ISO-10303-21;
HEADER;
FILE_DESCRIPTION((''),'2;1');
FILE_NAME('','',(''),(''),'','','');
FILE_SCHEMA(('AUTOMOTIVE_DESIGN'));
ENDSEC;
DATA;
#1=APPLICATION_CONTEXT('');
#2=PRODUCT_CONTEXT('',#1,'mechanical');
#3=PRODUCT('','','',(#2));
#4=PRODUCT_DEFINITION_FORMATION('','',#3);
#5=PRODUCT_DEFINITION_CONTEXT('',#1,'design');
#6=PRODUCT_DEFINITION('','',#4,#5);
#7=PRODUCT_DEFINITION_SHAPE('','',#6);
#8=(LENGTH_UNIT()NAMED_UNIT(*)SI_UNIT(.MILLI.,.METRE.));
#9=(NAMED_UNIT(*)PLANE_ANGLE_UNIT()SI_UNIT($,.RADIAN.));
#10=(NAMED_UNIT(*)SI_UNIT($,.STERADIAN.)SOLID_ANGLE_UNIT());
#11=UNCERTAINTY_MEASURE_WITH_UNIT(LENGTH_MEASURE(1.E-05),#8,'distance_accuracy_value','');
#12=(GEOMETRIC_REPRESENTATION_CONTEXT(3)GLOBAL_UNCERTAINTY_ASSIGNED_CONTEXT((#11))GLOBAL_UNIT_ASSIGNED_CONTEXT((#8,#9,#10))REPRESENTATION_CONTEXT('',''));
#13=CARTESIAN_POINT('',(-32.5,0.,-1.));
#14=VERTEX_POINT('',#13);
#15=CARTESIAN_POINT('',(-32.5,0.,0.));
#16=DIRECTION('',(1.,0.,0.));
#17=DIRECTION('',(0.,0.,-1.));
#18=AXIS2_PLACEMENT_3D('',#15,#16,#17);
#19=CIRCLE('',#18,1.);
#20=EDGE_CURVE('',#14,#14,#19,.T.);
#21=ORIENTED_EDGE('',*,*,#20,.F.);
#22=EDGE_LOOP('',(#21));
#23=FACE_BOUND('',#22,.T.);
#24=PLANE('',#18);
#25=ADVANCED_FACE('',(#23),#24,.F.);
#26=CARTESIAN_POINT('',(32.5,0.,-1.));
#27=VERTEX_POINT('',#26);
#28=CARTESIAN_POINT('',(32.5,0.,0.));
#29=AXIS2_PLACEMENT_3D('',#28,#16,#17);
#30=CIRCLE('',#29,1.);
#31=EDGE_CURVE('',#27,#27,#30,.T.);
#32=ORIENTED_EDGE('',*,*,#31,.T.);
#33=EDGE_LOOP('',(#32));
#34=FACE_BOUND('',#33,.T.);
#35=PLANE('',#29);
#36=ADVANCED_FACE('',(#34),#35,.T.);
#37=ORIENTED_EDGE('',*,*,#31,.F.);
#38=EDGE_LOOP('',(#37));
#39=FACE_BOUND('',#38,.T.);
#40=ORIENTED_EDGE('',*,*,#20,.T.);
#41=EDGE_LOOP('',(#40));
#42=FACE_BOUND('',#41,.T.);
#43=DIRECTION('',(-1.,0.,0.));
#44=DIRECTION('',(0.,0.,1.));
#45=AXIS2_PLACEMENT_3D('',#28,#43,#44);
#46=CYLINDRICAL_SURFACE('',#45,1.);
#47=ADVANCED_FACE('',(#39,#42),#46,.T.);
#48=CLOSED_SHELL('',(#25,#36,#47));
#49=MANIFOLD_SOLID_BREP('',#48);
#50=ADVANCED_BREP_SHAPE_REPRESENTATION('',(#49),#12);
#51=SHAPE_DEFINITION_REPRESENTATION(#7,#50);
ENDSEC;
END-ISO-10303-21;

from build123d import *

# Parameters (mm, degrees)
SKETCH1_R           = 1
BOSS_EXTRUDE1_DEPTH = 32.5


with BuildPart() as part:
    # Sketch1 → Boss-Extrude1 (new body, symmetric)
    with BuildSketch(Plane(origin=(0, 0, 0), x_dir=(0, 0, -1), z_dir=(1, 0, 0))):
        Circle(SKETCH1_R)
    extrude(amount=BOSS_EXTRUDE1_DEPTH, both=True)


solid = part.part
